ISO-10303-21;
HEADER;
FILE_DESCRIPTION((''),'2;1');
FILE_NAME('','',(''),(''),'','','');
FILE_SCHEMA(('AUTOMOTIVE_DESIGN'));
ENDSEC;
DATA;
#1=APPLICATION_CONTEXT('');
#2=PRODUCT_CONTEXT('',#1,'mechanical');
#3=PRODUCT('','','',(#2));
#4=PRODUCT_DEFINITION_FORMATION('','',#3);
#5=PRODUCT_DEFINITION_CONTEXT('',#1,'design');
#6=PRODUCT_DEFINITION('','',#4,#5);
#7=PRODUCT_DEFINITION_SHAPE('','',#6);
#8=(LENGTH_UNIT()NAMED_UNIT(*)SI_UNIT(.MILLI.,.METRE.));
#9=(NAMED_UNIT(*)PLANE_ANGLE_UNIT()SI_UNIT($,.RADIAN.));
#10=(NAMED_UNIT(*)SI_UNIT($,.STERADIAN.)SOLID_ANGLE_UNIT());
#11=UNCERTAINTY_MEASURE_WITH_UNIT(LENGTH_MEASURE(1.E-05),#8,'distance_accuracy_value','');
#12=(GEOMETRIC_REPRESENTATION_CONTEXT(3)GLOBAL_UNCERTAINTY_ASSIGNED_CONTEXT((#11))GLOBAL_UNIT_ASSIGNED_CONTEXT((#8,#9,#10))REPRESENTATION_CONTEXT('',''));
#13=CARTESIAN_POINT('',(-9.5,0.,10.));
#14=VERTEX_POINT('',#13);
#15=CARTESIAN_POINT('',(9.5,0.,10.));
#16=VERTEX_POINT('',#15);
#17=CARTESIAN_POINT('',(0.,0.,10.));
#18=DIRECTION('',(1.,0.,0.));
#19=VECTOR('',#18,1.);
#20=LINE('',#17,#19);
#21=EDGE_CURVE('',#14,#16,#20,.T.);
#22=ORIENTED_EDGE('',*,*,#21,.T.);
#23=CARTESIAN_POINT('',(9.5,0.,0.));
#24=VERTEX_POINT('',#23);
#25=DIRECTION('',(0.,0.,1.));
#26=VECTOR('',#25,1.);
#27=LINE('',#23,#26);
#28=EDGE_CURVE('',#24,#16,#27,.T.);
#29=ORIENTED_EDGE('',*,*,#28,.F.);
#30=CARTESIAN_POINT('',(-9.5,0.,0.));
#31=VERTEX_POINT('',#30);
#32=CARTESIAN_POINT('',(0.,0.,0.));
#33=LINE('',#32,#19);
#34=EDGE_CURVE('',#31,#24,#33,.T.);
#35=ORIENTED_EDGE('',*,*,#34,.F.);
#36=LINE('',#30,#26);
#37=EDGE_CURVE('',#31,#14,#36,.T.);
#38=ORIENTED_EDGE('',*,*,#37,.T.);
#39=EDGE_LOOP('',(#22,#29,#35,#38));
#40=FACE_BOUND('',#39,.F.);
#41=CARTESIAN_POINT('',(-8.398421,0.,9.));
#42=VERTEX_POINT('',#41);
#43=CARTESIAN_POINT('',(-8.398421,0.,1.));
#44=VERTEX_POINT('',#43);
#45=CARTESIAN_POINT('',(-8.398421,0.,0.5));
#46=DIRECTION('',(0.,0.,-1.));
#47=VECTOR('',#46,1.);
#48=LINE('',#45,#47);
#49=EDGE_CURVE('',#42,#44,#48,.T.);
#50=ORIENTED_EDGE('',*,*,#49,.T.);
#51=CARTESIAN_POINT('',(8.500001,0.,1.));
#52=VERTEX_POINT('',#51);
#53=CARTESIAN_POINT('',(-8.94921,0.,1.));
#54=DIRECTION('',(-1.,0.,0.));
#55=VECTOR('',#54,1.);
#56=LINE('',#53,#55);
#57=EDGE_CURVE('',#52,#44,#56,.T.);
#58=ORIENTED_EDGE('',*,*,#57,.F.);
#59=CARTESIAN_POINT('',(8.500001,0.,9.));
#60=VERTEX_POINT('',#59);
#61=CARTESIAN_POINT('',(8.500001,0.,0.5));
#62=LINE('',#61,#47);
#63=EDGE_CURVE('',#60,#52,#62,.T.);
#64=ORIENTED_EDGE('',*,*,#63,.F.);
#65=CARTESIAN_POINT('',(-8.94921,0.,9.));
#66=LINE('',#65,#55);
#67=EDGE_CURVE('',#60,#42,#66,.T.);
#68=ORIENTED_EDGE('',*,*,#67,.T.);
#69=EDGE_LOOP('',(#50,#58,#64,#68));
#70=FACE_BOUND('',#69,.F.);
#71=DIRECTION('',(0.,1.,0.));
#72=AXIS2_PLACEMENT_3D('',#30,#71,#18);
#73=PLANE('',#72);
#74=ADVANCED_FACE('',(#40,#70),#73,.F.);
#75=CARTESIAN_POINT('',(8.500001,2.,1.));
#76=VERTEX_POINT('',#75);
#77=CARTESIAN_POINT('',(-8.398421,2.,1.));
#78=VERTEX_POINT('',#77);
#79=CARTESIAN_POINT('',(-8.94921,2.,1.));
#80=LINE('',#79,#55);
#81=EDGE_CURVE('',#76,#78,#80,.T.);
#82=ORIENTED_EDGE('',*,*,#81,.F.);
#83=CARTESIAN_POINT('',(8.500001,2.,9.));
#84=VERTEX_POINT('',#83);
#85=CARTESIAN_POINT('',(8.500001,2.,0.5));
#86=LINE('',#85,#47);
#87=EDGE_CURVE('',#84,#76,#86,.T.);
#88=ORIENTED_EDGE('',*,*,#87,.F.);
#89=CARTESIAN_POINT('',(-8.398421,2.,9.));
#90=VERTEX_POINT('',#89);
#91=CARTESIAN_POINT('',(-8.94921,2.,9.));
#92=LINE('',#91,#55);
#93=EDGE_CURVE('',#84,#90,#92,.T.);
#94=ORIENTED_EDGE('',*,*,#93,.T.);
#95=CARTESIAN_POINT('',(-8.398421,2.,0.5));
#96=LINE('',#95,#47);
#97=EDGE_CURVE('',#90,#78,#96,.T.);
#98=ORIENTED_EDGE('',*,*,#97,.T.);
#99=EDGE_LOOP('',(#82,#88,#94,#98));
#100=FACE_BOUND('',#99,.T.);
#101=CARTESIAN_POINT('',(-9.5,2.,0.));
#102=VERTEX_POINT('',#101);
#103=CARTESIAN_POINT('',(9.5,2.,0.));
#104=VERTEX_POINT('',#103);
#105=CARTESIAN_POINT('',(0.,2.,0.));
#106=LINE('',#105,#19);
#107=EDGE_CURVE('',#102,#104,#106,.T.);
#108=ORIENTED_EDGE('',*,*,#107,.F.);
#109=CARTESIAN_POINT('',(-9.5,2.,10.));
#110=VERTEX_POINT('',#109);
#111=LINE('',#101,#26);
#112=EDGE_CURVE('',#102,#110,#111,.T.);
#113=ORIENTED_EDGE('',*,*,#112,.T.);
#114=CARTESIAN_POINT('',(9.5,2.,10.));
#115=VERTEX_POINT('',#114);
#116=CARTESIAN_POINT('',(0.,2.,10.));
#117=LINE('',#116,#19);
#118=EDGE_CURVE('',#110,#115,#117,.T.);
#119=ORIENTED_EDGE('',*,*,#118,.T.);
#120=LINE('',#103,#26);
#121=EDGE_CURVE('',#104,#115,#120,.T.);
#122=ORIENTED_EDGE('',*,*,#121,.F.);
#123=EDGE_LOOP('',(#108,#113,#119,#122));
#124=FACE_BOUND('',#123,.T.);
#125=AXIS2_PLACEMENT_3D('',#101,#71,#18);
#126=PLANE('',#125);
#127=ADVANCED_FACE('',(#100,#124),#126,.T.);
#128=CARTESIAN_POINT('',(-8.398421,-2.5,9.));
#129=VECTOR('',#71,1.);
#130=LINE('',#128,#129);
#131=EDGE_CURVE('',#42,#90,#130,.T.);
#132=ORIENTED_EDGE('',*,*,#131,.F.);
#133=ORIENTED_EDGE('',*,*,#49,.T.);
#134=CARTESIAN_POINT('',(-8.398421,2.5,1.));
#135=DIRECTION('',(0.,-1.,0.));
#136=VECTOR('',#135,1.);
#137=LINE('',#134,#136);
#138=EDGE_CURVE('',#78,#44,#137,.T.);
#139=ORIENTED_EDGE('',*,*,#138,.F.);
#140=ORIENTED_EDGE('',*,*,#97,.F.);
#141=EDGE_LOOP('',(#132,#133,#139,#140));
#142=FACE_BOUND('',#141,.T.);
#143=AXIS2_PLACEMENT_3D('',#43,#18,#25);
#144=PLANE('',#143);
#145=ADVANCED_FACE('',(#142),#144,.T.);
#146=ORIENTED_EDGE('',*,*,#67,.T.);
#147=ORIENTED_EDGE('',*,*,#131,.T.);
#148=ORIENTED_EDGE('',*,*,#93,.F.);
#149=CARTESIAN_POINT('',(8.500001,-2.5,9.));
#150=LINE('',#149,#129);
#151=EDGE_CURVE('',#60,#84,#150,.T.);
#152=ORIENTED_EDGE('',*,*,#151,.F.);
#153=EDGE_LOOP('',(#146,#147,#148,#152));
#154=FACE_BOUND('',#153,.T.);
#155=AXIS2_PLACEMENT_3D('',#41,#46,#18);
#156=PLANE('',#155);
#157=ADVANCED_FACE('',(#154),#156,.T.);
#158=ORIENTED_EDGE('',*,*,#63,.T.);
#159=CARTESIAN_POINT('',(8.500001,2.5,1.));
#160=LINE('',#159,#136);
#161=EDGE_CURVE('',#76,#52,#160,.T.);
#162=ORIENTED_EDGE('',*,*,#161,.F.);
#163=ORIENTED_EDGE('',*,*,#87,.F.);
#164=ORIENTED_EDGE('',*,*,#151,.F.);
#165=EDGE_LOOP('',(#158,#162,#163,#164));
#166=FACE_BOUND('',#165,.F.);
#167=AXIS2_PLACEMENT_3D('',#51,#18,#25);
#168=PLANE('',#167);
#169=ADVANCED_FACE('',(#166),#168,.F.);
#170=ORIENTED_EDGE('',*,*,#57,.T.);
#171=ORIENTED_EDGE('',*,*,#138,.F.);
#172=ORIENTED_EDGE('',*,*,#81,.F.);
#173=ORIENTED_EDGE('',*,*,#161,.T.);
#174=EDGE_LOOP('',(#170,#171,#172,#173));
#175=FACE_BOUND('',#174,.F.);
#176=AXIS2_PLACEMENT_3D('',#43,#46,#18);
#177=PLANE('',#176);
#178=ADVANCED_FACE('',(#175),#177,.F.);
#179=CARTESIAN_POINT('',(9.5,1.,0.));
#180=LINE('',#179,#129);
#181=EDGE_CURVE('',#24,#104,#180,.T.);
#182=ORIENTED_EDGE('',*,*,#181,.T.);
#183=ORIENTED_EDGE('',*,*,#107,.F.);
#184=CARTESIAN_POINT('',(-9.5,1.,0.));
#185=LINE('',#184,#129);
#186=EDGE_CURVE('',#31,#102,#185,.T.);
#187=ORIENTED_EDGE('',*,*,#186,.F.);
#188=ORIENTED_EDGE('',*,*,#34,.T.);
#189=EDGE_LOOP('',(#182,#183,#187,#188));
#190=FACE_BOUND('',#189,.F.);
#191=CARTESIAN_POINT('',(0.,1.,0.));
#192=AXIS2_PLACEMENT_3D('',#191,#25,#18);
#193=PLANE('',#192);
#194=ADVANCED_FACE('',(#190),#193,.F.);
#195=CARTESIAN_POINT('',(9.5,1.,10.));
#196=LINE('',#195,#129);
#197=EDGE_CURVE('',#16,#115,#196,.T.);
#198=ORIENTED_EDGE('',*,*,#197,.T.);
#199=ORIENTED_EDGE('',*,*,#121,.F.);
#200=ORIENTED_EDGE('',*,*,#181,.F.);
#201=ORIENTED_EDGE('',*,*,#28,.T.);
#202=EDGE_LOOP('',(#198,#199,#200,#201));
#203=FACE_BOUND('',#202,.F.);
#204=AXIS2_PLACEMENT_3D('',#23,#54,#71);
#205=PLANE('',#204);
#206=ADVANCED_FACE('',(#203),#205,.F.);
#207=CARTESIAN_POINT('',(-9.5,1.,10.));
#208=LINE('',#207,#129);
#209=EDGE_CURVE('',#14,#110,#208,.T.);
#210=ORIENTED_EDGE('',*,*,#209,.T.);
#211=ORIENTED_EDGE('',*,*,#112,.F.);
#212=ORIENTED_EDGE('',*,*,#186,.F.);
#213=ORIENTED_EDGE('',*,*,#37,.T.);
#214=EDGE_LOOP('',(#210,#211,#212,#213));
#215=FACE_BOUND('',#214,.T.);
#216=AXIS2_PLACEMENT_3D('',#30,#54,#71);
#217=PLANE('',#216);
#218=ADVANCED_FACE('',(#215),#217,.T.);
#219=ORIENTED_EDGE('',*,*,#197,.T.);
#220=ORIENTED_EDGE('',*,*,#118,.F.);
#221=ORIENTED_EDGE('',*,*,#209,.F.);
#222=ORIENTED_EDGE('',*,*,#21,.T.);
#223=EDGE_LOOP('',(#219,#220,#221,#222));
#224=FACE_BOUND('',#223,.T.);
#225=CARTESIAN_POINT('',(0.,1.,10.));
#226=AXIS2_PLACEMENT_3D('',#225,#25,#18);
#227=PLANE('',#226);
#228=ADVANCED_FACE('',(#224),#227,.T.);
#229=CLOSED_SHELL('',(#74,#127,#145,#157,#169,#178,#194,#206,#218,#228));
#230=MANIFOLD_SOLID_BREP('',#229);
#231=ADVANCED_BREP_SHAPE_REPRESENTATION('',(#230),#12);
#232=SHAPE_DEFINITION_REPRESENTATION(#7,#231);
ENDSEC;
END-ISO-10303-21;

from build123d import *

# Parameters (mm, degrees)
SKETCH005_W      = 16.898421
SKETCH005_H      = 8
EXTRUDE004_DEPTH = 2.5
SKETCH_W         = 19
SKETCH_H         = 2
EXTRUDE_DEPTH    = 10


with BuildPart() as extrude004:
    # Sketch005 (on Face2 of Extrude) → Extrude004 (new body, symmetric)
    with BuildSketch(Plane.XZ):
        with Locations((0.05079, 5)):
            Rectangle(SKETCH005_W, SKETCH005_H)
    extrude(amount=EXTRUDE004_DEPTH, both=True)


with BuildPart() as cut001:
    # Sketch → Extrude (new body)
    with BuildSketch(Plane.XY):
        with Locations((0, 1)):
            Rectangle(SKETCH_W, SKETCH_H)
    extrude(amount=EXTRUDE_DEPTH)

    # Cut001: cut Extrude004
    add(extrude004.part, mode=Mode.SUBTRACT)


solid = cut001.part
